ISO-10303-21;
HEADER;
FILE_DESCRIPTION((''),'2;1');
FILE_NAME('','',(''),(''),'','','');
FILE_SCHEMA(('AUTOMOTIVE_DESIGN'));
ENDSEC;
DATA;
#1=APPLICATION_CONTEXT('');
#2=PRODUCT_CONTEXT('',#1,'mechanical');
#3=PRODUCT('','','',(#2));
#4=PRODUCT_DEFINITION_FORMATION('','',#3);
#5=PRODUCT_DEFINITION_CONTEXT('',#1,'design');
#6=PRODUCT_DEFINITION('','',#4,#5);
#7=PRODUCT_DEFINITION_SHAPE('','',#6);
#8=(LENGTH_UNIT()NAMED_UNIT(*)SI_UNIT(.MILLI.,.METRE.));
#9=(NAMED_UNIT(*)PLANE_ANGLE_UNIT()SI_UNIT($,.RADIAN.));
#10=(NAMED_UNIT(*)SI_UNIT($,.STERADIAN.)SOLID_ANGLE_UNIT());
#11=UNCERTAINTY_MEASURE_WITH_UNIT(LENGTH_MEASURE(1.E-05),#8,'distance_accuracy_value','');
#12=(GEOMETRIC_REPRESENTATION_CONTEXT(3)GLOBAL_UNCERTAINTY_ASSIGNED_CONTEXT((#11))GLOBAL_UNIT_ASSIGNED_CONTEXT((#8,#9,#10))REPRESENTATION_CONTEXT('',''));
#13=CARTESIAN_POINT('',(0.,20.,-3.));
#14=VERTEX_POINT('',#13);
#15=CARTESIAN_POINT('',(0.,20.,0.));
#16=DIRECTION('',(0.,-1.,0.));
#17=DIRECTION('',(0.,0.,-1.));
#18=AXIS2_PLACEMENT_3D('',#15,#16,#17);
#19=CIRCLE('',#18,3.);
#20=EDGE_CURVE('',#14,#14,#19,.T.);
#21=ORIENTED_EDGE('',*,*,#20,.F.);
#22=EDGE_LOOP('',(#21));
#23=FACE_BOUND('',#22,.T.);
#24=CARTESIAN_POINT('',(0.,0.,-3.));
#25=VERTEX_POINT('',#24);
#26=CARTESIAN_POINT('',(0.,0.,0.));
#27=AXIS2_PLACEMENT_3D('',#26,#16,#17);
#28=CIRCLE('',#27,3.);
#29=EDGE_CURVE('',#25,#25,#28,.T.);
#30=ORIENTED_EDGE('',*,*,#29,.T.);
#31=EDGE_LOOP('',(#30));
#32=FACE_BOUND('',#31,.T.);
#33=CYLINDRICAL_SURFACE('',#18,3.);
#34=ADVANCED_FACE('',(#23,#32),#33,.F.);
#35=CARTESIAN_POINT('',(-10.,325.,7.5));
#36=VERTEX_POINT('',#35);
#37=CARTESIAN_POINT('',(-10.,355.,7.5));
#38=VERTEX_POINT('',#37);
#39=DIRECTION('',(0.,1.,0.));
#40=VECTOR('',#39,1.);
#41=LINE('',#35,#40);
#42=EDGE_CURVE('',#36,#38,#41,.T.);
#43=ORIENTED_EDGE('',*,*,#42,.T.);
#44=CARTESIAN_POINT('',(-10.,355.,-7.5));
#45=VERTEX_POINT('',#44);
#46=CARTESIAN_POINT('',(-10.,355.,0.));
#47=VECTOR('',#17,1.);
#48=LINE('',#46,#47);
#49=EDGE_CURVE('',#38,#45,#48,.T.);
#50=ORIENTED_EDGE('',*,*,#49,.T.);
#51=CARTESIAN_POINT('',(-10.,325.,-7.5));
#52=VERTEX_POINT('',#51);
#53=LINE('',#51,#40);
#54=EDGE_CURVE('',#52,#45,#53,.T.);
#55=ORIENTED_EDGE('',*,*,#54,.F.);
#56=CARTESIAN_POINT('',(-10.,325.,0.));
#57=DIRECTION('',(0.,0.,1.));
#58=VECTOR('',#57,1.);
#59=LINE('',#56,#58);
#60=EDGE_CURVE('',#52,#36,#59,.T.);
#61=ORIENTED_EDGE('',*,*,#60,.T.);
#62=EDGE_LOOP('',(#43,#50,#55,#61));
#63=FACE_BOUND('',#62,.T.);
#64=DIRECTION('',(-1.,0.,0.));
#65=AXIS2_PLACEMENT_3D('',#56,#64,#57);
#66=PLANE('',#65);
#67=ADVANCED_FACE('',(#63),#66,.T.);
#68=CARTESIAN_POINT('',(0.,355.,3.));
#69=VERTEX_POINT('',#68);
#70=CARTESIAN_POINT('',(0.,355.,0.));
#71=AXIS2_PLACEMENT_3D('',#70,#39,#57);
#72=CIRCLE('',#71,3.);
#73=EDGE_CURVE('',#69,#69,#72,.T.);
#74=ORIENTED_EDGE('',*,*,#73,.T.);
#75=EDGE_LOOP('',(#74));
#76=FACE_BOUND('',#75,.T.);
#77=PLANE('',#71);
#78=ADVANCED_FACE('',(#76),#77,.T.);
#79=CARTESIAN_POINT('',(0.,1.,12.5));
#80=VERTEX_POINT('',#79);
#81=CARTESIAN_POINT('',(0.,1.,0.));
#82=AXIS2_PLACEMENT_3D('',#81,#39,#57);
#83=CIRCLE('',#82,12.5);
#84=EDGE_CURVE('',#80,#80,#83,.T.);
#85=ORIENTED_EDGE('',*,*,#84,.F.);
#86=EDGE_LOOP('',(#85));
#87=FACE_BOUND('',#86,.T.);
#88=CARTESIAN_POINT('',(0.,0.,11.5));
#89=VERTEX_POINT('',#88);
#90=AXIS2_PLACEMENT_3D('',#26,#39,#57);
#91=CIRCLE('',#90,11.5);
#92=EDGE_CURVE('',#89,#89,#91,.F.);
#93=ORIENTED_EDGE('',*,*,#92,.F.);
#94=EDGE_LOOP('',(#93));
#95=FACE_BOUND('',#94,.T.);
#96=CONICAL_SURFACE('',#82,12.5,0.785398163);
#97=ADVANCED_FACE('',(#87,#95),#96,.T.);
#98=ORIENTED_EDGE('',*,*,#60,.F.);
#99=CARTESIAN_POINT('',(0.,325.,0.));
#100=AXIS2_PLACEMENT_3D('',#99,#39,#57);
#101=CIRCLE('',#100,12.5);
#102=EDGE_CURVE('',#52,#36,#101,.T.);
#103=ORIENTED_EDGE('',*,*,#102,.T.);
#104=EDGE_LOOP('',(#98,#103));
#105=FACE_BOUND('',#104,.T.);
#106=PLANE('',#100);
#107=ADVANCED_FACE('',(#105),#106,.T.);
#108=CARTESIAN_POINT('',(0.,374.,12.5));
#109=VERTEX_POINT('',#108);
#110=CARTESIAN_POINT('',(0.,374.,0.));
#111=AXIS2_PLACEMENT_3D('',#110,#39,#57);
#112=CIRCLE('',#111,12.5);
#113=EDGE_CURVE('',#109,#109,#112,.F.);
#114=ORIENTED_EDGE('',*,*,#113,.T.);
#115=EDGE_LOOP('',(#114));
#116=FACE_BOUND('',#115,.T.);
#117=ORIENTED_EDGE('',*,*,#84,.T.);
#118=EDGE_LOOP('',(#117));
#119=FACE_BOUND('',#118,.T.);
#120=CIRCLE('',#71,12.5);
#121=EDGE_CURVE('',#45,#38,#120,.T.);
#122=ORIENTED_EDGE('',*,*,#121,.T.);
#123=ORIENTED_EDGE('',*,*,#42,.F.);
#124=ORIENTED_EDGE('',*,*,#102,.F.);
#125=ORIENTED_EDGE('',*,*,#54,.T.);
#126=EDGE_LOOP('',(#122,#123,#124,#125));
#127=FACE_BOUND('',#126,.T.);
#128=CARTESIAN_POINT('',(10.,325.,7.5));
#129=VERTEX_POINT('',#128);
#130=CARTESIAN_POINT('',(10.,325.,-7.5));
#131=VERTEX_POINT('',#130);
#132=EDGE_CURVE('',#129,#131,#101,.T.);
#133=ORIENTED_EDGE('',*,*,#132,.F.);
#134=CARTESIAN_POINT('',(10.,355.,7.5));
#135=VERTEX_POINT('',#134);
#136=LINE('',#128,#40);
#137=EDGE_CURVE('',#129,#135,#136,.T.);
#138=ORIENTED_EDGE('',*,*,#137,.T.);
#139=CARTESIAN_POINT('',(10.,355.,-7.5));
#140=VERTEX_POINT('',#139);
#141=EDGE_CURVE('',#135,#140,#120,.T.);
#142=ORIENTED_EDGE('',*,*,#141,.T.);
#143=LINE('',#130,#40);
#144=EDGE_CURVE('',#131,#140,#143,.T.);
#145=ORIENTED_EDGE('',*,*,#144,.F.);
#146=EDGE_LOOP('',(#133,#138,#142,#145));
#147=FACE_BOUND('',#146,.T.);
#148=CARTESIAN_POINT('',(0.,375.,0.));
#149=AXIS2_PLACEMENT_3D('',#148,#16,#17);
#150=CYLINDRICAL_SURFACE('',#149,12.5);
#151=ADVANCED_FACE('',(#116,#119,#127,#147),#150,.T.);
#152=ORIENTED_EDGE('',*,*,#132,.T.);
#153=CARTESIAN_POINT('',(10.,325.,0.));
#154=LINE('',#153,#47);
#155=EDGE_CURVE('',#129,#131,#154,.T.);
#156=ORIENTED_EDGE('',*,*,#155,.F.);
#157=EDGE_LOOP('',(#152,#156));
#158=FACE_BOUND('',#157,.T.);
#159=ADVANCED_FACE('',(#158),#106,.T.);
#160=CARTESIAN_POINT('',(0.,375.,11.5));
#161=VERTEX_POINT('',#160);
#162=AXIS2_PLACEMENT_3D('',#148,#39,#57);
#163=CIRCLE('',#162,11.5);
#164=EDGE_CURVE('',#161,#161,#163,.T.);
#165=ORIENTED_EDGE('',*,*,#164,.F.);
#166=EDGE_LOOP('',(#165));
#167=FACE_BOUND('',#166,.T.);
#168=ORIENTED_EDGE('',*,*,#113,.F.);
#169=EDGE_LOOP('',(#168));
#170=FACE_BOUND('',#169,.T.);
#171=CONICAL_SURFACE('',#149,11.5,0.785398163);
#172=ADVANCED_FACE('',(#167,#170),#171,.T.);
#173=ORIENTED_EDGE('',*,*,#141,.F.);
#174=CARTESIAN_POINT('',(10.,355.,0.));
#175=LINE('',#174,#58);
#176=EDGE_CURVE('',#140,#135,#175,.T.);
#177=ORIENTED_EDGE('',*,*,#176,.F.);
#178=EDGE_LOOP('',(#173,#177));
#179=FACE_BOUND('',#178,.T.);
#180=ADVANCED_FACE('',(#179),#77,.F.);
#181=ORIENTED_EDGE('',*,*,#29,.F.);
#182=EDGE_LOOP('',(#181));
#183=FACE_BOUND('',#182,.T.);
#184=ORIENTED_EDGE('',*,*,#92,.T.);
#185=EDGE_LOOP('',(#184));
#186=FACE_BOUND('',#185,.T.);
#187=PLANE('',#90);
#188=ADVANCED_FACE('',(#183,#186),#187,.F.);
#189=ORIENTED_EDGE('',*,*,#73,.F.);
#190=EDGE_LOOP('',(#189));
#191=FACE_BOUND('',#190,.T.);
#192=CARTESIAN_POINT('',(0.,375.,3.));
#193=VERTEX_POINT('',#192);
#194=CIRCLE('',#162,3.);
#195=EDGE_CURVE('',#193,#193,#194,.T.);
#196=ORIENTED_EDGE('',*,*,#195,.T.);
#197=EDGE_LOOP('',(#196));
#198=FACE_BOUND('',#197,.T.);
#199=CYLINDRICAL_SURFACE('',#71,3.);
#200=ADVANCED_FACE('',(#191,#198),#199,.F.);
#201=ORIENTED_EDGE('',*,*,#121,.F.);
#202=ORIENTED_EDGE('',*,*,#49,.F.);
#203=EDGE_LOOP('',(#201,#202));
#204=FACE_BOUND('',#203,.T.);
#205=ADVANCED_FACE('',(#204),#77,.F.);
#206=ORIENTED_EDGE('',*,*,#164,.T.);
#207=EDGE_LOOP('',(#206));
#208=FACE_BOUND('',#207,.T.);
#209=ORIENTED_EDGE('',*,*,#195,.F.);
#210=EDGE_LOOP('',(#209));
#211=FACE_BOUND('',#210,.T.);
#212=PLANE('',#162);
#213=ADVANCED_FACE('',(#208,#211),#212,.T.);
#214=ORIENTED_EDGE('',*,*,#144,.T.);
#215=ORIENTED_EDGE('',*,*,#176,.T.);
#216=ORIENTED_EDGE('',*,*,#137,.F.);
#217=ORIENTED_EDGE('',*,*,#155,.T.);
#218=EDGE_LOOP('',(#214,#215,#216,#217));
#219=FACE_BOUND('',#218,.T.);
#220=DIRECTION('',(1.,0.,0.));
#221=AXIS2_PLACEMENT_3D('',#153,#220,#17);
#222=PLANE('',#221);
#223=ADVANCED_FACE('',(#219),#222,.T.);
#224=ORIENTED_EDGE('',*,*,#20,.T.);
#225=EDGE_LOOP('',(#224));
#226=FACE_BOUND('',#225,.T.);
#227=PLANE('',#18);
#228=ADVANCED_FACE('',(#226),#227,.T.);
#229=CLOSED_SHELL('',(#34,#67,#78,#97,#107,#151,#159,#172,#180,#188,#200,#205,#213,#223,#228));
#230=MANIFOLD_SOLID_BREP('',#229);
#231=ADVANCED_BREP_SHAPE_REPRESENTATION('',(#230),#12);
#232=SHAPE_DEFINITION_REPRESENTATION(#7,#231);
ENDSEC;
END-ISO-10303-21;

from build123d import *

# Parameters (mm, degrees)
SKETCH_2_R          = 12.5
EXTRUDE_3_DEPTH     = 375
SKETCH_5_R          = 3
CUT_EXTRUDE_2_DEPTH = 20
CUT_EXTRUDE_START   = -50
CUT_EXTRUDE_3_DEPTH = 50
EXTRUDE_START       = -20
SKETCH_11_R         = 12.5
EXTRUDE_5_DEPTH     = 20
CUT_EXTRUDE_START_2 = -20
SKETCH_12_R         = 3
CUT_EXTRUDE_4_DEPTH = 20
CHAMFER_1_SIZE      = 1
CHAMFER_2_SIZE      = 1


with BuildPart() as part:
    # 草图2 → 凸台-拉伸3 (new body)
    with BuildSketch(Plane(origin=(0, 0, 0), x_dir=(1, 0, 0), z_dir=(0, 1, 0))):
        with Locations(Location((0, 0, 0), (0, 0, 270))):
            Circle(SKETCH_2_R)
    extrude(amount=EXTRUDE_3_DEPTH)

    # 草图5 → 切除-拉伸2 (cut)
    with BuildSketch(Plane.XZ):
        with Locations(Location((0, 0, 0), (0, 0, 270))):
            Circle(SKETCH_5_R)
    extrude(amount=-CUT_EXTRUDE_2_DEPTH, mode=Mode.SUBTRACT)

    # 草图7 → 切除-拉伸3 (cut)
    with BuildSketch(Plane(origin=(0, 375, 0), x_dir=(1, 0, 0), z_dir=(0, 1, 0)).offset(CUT_EXTRUDE_START)):
        with BuildLine():
            Line((10, 7.5), (10, 0))
            Line((10, 0), (10, -7.5))
            ThreePointArc((10, -7.5), (11.858541226, -3.952847075), (12.5, 0))
            ThreePointArc((12.5, 0), (11.858541226, 3.952847075), (10, 7.5))
        make_face()
        with BuildLine():
            Line((-10, 0), (-10, 7.5))
            ThreePointArc((-10, 7.5), (-12.5, 0), (-10, -7.5))
            Line((-10, -7.5), (-10, 0))
        make_face()
    extrude(amount=CUT_EXTRUDE_3_DEPTH, mode=Mode.SUBTRACT)

    # 草图11 → 凸台-拉伸5 (add)
    with BuildSketch(Plane(origin=(0, 375, 0), x_dir=(1, 0, 0), z_dir=(0, 1, 0)).offset(EXTRUDE_START)):
        with Locations(Location((0, 0, 0), (0, 0, 270))):
            Circle(SKETCH_11_R)
    extrude(amount=EXTRUDE_5_DEPTH)

    # 草图12 → 切除-拉伸4 (cut)
    with BuildSketch(Plane(origin=(0, 375, 0), x_dir=(1, 0, 0), z_dir=(0, 1, 0)).offset(CUT_EXTRUDE_START_2)):
        with Locations(Location((0, 0, 0), (0, 0, 90))):
            Circle(SKETCH_12_R)
    extrude(amount=CUT_EXTRUDE_4_DEPTH, mode=Mode.SUBTRACT)

    # 倒角1
    chamfer_1_edges = [part.edges().sort_by_distance(p)[0] for p in [
        (0, 0, -12.5),
    ]]
    chamfer(chamfer_1_edges, length=CHAMFER_1_SIZE)

    # 倒角2
    chamfer_2_edges = [part.edges().sort_by_distance(p)[0] for p in [
        (0, 375, -12.5),
    ]]
    chamfer(chamfer_2_edges, length=CHAMFER_2_SIZE)


solid = part.part
